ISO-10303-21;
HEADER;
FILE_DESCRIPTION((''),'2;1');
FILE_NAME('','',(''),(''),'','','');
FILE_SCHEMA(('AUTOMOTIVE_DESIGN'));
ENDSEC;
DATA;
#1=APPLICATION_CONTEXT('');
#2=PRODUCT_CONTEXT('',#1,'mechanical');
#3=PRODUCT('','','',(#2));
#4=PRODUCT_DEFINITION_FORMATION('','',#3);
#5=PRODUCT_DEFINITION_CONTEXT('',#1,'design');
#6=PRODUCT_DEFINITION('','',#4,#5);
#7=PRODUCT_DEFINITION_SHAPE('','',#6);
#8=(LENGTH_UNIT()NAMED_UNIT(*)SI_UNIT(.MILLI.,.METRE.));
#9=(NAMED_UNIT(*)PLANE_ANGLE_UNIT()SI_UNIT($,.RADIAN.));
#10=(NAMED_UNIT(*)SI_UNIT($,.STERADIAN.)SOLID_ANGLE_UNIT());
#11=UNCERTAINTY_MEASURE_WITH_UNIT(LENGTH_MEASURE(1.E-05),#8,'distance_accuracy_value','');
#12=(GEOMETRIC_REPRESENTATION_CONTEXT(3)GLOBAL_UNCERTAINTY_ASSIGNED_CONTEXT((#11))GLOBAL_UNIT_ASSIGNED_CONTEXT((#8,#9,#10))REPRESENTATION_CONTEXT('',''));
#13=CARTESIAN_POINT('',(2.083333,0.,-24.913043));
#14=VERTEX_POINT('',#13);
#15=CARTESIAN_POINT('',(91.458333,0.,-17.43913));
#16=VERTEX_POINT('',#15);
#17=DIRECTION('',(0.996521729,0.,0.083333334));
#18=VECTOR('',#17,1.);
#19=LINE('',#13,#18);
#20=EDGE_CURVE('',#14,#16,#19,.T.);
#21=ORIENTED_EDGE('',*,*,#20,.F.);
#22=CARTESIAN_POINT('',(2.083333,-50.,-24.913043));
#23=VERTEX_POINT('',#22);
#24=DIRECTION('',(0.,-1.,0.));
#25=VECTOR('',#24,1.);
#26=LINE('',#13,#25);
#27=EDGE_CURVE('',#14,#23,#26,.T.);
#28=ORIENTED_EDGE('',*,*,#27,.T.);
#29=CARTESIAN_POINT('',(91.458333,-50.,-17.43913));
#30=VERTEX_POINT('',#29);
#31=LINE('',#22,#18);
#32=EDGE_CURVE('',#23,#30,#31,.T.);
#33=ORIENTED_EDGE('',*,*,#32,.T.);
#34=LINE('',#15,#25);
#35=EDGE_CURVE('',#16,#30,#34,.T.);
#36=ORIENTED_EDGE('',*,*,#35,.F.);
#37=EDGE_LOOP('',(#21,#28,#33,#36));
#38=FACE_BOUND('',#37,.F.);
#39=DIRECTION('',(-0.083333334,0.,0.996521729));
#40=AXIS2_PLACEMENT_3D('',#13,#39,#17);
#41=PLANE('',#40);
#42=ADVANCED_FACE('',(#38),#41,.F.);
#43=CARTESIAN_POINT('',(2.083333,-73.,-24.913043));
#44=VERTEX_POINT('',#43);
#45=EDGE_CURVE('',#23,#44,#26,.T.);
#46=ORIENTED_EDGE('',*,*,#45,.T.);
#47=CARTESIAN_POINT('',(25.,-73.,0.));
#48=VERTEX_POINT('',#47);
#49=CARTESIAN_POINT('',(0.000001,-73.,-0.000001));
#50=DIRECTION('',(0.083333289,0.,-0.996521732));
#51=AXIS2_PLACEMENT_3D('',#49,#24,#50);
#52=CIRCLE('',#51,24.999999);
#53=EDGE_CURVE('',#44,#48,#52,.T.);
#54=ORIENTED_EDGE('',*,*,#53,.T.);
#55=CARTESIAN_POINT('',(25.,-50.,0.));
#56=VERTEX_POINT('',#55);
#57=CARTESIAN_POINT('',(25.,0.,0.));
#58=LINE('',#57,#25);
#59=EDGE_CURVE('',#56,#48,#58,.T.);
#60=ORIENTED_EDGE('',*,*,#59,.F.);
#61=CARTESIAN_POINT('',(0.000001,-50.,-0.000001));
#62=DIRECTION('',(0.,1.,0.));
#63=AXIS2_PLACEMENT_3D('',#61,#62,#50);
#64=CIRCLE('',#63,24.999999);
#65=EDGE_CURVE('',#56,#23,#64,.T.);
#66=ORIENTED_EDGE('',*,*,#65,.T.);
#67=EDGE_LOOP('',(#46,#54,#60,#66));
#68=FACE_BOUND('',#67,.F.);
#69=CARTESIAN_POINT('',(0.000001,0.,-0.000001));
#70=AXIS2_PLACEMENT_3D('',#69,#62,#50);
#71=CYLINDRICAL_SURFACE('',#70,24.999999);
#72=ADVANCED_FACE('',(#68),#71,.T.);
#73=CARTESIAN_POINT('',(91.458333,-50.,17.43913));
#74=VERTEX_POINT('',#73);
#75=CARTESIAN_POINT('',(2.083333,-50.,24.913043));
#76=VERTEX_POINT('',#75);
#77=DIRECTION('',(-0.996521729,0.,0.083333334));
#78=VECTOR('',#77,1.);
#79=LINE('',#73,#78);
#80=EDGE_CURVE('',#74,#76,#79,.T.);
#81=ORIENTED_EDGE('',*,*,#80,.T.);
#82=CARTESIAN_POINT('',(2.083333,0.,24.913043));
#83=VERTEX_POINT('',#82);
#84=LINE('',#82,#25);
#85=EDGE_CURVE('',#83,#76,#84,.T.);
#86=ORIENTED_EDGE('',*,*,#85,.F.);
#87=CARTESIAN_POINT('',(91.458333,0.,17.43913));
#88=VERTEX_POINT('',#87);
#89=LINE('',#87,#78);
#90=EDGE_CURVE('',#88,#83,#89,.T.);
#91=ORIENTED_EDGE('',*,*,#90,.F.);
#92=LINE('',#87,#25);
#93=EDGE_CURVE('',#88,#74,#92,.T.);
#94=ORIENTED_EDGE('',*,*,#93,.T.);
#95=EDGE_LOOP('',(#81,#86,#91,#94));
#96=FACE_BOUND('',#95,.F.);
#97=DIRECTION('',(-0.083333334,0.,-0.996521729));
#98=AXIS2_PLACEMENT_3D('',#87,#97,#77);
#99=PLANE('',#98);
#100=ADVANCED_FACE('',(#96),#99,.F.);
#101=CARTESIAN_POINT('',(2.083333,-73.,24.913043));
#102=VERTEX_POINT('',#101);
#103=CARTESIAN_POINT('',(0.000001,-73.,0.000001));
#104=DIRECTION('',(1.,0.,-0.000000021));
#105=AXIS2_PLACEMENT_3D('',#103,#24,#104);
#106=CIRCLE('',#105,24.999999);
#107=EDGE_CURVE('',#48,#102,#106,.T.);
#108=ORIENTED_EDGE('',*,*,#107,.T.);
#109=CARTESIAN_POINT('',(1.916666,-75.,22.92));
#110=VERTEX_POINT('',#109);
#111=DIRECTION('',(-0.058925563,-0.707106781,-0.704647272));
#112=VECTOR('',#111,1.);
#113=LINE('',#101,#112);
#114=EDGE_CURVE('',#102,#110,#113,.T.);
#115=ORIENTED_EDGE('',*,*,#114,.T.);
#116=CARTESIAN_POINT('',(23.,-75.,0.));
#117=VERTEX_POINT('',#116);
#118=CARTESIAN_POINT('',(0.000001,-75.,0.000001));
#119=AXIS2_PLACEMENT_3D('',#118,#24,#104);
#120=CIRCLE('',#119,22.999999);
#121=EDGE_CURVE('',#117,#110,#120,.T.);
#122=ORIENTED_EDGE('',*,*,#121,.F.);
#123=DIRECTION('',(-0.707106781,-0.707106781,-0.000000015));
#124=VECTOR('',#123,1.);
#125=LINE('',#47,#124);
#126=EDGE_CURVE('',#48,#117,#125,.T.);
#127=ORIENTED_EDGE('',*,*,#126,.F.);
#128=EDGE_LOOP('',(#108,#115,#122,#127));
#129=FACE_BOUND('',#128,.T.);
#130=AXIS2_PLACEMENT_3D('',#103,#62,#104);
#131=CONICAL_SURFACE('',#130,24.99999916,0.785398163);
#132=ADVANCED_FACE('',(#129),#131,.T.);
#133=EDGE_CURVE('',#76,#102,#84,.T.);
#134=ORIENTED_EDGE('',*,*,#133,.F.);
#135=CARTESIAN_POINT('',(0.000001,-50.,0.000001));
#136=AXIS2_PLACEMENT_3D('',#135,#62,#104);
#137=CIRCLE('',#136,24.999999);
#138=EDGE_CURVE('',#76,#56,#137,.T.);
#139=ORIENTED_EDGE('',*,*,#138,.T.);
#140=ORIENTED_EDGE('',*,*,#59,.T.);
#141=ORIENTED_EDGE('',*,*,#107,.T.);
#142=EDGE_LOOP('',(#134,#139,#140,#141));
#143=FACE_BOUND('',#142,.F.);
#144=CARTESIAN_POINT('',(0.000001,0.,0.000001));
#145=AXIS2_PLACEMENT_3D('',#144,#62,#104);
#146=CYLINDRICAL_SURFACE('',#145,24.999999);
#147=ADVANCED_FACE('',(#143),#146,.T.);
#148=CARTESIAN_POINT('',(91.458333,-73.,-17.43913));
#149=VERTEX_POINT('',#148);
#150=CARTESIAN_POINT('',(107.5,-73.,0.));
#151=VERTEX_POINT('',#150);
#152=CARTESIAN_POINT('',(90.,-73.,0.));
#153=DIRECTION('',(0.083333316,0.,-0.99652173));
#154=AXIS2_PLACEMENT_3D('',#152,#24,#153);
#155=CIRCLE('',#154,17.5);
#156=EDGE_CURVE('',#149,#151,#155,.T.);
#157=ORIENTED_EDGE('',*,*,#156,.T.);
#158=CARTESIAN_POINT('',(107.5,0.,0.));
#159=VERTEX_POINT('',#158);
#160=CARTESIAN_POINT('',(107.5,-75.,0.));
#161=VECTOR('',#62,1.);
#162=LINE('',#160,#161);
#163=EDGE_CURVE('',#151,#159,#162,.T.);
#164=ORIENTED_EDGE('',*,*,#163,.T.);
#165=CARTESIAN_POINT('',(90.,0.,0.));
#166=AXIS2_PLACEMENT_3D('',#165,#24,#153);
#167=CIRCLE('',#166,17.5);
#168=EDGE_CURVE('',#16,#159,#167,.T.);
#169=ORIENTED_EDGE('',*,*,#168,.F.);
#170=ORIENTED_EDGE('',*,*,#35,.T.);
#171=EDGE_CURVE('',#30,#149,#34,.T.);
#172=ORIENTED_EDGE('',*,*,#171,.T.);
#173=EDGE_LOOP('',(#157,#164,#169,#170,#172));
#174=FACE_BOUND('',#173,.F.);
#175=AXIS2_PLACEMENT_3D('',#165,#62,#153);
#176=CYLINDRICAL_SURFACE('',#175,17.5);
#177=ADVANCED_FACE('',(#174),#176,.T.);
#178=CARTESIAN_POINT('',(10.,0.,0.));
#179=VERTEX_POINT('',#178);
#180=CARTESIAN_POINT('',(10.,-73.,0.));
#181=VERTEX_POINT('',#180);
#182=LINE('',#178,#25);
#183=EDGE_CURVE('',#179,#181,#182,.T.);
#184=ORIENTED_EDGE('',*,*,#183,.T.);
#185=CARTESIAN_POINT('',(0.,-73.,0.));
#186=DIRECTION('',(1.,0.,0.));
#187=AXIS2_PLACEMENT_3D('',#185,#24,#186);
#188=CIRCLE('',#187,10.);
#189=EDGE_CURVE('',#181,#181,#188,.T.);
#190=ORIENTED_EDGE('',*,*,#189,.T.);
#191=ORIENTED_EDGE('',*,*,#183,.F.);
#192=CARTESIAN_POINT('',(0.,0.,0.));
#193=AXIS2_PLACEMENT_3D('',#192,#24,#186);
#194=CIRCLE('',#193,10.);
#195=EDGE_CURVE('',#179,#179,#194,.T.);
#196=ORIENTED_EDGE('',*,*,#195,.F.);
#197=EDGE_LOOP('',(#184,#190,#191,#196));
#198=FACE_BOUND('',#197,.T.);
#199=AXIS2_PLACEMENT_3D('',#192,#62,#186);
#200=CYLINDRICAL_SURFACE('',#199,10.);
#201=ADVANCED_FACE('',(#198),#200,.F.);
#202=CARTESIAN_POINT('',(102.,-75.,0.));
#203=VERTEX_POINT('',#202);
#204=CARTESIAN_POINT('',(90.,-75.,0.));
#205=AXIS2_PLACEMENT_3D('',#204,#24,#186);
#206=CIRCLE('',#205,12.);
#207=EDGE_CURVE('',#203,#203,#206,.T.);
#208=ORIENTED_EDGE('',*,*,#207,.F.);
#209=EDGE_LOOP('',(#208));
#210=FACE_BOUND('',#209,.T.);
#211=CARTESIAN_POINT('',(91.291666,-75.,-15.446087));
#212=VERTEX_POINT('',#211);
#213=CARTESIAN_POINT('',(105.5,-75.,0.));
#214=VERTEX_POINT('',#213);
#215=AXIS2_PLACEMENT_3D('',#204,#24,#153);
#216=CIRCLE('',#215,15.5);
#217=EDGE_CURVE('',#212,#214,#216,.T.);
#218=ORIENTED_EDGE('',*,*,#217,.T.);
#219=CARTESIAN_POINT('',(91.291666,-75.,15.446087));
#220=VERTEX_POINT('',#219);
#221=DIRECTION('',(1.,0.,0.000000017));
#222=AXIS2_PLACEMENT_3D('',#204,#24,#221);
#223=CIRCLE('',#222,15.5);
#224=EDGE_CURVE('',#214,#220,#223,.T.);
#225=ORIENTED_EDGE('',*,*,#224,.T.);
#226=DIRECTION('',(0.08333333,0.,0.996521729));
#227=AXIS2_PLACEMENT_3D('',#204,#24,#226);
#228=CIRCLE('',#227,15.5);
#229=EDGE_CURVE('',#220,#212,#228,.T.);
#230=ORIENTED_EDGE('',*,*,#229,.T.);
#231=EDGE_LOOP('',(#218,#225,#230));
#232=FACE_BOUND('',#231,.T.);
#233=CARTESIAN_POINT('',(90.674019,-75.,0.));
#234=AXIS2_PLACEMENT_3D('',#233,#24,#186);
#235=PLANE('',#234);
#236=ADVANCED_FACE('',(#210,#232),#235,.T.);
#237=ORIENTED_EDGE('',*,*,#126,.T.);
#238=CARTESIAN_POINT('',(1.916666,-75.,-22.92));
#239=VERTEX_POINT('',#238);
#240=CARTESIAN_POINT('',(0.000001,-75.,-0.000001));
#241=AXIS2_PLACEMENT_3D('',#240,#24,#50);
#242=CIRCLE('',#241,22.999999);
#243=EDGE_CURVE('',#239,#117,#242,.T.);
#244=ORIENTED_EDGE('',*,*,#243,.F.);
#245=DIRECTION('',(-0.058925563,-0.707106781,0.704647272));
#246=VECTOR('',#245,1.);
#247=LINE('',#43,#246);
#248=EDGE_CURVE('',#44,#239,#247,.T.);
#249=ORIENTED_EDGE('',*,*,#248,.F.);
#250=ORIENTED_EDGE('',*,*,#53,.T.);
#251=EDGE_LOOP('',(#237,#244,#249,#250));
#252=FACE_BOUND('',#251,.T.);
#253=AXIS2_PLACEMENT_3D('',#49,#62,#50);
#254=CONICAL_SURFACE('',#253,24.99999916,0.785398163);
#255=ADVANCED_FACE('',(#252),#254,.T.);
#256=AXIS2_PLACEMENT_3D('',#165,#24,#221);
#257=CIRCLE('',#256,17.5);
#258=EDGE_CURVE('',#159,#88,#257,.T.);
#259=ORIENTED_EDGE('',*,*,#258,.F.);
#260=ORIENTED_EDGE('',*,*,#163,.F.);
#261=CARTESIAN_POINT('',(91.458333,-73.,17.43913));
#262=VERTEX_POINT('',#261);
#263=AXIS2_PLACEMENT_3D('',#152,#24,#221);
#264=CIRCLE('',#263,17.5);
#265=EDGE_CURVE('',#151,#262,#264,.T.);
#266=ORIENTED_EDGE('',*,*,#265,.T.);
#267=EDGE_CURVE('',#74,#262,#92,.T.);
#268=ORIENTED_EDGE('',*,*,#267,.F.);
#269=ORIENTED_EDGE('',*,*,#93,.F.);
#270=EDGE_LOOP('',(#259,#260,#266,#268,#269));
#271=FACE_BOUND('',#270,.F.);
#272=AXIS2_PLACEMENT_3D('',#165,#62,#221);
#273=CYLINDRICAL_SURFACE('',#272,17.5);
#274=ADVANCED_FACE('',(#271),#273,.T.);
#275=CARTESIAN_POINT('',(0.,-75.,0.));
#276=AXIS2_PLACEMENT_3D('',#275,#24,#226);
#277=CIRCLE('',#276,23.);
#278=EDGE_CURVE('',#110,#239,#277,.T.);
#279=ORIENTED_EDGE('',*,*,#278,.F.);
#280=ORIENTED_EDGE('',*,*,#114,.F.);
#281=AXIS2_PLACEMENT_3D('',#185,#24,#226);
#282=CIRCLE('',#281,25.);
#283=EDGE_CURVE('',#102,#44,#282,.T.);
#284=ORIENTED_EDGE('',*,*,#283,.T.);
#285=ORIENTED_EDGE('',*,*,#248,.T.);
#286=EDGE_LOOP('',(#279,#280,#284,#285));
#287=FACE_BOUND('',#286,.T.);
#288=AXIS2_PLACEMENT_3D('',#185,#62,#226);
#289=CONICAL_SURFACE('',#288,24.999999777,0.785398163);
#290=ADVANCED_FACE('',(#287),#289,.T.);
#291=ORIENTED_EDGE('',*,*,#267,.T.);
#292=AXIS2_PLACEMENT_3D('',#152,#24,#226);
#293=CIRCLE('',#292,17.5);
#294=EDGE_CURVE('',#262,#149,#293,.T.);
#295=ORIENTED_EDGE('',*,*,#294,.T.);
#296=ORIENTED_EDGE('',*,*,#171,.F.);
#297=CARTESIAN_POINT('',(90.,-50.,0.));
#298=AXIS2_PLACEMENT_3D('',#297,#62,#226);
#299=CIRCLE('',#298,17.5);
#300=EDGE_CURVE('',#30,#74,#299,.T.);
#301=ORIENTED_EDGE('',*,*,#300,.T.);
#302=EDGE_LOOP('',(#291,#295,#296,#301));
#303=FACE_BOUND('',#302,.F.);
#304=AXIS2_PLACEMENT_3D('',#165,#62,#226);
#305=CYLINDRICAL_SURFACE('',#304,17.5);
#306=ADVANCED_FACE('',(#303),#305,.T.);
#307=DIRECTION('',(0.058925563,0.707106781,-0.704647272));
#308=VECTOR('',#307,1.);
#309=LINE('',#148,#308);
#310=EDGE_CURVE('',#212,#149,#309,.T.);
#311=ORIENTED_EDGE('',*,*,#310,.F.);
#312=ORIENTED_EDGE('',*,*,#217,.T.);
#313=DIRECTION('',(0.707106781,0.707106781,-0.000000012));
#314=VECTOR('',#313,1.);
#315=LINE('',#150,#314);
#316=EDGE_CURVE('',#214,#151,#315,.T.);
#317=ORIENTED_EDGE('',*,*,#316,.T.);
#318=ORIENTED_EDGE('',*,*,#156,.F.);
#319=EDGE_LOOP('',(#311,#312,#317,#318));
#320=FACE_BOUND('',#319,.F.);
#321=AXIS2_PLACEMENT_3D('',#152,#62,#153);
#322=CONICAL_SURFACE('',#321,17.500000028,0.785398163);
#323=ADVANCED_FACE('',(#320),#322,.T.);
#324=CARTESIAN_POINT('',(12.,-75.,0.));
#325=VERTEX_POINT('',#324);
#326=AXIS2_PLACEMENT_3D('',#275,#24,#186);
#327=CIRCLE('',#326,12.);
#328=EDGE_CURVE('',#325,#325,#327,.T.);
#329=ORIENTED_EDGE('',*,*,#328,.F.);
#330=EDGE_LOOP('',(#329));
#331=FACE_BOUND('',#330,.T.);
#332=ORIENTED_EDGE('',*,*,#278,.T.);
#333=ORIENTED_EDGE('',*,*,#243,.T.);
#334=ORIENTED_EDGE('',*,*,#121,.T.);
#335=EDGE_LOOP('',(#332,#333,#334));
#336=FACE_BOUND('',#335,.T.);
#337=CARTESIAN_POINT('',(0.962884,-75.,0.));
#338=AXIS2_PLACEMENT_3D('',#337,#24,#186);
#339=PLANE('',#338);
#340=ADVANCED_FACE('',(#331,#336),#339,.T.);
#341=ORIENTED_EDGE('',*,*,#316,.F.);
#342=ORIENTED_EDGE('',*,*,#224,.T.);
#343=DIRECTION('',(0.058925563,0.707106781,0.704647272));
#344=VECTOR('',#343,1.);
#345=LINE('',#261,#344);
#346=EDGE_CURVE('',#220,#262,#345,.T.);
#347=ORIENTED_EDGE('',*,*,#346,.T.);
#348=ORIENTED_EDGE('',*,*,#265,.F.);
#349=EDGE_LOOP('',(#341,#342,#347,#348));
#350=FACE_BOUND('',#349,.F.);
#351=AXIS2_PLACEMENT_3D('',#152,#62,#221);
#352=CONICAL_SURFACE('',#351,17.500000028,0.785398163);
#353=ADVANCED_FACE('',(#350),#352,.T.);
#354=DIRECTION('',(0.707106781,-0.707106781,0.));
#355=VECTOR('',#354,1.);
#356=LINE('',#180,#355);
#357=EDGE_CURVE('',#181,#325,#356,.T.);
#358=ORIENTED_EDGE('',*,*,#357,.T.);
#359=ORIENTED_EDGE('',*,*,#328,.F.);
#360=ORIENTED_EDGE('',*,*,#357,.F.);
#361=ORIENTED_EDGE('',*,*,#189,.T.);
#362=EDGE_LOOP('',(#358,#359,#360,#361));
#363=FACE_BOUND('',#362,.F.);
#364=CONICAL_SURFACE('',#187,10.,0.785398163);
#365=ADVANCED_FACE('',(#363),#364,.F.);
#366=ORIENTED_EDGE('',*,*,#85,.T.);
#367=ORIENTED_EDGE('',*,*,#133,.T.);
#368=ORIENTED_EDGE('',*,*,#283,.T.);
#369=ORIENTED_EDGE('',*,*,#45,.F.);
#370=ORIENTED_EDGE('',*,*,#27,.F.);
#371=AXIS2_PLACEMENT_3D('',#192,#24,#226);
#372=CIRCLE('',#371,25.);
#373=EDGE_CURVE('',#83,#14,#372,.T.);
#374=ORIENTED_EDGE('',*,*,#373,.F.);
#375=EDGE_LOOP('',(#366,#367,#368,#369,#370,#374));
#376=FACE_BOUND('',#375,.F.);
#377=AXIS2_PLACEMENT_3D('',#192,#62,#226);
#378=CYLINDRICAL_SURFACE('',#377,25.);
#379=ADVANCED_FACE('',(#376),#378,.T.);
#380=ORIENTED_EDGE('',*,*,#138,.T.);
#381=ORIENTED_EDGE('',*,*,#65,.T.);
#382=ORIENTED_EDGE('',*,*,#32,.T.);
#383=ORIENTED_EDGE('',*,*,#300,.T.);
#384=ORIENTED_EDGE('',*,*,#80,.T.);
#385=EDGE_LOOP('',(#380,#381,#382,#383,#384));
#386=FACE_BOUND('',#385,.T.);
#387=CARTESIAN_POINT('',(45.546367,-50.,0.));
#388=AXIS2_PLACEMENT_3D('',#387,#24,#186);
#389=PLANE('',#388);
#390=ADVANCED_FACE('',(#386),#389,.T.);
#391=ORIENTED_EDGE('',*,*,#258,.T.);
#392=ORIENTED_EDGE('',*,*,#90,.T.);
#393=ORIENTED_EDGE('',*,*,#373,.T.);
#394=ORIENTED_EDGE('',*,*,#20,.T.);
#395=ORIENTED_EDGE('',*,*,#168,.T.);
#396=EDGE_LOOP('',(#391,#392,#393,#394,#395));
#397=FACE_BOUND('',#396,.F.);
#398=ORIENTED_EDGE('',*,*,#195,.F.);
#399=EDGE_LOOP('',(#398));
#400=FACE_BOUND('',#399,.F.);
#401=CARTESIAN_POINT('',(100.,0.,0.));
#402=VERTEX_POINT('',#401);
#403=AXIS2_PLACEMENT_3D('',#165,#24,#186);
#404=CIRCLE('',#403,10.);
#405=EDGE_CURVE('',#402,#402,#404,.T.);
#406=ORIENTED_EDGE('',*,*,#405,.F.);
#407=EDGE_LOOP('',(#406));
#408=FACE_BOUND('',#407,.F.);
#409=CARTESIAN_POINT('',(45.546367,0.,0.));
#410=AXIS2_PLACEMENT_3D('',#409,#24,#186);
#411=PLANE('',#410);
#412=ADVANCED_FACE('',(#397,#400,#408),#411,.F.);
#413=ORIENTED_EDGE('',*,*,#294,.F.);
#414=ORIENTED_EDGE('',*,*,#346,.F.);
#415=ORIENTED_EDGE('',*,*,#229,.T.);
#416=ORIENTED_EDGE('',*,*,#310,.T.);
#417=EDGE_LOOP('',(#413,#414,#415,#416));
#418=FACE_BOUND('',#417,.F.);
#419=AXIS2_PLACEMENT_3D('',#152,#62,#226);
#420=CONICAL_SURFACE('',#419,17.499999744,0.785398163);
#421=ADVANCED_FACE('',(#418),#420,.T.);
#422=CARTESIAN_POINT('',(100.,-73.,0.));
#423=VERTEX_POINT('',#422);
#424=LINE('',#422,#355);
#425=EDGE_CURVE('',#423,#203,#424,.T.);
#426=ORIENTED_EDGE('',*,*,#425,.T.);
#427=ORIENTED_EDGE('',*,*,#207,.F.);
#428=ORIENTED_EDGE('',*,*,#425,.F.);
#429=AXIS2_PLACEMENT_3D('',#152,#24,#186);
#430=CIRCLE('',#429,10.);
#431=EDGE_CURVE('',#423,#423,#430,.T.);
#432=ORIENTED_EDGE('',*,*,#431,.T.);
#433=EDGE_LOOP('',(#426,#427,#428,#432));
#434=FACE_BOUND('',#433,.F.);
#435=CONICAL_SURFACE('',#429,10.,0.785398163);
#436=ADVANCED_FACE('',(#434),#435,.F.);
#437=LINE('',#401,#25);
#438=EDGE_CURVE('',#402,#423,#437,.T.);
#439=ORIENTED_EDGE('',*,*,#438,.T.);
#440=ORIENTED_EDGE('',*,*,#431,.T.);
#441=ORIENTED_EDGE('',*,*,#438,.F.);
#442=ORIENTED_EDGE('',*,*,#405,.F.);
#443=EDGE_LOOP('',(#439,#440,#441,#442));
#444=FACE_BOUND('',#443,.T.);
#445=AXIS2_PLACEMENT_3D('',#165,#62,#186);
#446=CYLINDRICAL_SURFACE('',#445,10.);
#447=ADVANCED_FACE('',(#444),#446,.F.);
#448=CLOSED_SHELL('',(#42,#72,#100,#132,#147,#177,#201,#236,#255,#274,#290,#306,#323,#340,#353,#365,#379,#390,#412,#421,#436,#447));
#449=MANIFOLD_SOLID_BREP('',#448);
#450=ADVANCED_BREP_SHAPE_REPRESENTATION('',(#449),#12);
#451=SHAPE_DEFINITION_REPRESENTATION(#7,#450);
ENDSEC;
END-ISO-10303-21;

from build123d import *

# Parameters (mm, degrees)
F0_R     = 10
F1_DEPTH = 50
F2_DEPTH = 75
F3_SIZE  = 2


with BuildPart() as f1:
    # F0 (on Front) → F1 (new body)
    with BuildSketch(Plane.XZ):
        with BuildLine():
            ThreePointArc((2.083333, 24.913043), (18.399502, 16.92508), (25, 0))
            ThreePointArc((25, 0), (18.399502, -16.92508), (2.083333, -24.913043))
            Line((2.083333, -24.913043), (91.458333, -17.43913))
            ThreePointArc((91.458333, -17.43913), (72.5, 0), (91.458333, 17.43913))
            Line((91.458333, 17.43913), (2.083333, 24.913043))
        make_face()
        with BuildLine():
            ThreePointArc((2.083333, -24.913043), (18.399502, -16.92508), (25, 0))
            ThreePointArc((25, 0), (18.399502, 16.92508), (2.083333, 24.913043))
            ThreePointArc((2.083333, 24.913043), (-25, 0), (2.083333, -24.913043))
        make_face()
        Circle(F0_R, mode=Mode.SUBTRACT)
        with BuildLine():
            ThreePointArc((107.5, 0), (102.879651, 11.847556), (91.458333, 17.43913))
            ThreePointArc((91.458333, 17.43913), (72.5, 0), (91.458333, -17.43913))
            ThreePointArc((91.458333, -17.43913), (102.879651, -11.847556), (107.5, 0))
        make_face()
        with Locations((90, 0)):
            Circle(F0_R, mode=Mode.SUBTRACT)
    extrude(amount=F1_DEPTH)

    # F0 (on Front) → F2 (join)
    with BuildSketch(Plane.XZ):
        with BuildLine():
            ThreePointArc((2.083333, -24.913043), (18.399502, -16.92508), (25, 0))
            ThreePointArc((25, 0), (18.399502, 16.92508), (2.083333, 24.913043))
            ThreePointArc((2.083333, 24.913043), (-25, 0), (2.083333, -24.913043))
        make_face()
        Circle(F0_R, mode=Mode.SUBTRACT)
        with BuildLine():
            ThreePointArc((107.5, 0), (102.879651, 11.847556), (91.458333, 17.43913))
            ThreePointArc((91.458333, 17.43913), (72.5, 0), (91.458333, -17.43913))
            ThreePointArc((91.458333, -17.43913), (102.879651, -11.847556), (107.5, 0))
        make_face()
        with Locations((90, 0)):
            Circle(F0_R, mode=Mode.SUBTRACT)
    extrude(amount=F2_DEPTH)

    # F3
    f3_edges = [f1.edges().sort_by_distance(p)[0] for p in [
        (-10, -75, 0),
        (-2.083333, -75, 24.913043),
        (80, -75, 0),
        (88.541667, -75, 17.43913),
    ]]
    chamfer(f3_edges, length=F3_SIZE)


solid = f1.part
